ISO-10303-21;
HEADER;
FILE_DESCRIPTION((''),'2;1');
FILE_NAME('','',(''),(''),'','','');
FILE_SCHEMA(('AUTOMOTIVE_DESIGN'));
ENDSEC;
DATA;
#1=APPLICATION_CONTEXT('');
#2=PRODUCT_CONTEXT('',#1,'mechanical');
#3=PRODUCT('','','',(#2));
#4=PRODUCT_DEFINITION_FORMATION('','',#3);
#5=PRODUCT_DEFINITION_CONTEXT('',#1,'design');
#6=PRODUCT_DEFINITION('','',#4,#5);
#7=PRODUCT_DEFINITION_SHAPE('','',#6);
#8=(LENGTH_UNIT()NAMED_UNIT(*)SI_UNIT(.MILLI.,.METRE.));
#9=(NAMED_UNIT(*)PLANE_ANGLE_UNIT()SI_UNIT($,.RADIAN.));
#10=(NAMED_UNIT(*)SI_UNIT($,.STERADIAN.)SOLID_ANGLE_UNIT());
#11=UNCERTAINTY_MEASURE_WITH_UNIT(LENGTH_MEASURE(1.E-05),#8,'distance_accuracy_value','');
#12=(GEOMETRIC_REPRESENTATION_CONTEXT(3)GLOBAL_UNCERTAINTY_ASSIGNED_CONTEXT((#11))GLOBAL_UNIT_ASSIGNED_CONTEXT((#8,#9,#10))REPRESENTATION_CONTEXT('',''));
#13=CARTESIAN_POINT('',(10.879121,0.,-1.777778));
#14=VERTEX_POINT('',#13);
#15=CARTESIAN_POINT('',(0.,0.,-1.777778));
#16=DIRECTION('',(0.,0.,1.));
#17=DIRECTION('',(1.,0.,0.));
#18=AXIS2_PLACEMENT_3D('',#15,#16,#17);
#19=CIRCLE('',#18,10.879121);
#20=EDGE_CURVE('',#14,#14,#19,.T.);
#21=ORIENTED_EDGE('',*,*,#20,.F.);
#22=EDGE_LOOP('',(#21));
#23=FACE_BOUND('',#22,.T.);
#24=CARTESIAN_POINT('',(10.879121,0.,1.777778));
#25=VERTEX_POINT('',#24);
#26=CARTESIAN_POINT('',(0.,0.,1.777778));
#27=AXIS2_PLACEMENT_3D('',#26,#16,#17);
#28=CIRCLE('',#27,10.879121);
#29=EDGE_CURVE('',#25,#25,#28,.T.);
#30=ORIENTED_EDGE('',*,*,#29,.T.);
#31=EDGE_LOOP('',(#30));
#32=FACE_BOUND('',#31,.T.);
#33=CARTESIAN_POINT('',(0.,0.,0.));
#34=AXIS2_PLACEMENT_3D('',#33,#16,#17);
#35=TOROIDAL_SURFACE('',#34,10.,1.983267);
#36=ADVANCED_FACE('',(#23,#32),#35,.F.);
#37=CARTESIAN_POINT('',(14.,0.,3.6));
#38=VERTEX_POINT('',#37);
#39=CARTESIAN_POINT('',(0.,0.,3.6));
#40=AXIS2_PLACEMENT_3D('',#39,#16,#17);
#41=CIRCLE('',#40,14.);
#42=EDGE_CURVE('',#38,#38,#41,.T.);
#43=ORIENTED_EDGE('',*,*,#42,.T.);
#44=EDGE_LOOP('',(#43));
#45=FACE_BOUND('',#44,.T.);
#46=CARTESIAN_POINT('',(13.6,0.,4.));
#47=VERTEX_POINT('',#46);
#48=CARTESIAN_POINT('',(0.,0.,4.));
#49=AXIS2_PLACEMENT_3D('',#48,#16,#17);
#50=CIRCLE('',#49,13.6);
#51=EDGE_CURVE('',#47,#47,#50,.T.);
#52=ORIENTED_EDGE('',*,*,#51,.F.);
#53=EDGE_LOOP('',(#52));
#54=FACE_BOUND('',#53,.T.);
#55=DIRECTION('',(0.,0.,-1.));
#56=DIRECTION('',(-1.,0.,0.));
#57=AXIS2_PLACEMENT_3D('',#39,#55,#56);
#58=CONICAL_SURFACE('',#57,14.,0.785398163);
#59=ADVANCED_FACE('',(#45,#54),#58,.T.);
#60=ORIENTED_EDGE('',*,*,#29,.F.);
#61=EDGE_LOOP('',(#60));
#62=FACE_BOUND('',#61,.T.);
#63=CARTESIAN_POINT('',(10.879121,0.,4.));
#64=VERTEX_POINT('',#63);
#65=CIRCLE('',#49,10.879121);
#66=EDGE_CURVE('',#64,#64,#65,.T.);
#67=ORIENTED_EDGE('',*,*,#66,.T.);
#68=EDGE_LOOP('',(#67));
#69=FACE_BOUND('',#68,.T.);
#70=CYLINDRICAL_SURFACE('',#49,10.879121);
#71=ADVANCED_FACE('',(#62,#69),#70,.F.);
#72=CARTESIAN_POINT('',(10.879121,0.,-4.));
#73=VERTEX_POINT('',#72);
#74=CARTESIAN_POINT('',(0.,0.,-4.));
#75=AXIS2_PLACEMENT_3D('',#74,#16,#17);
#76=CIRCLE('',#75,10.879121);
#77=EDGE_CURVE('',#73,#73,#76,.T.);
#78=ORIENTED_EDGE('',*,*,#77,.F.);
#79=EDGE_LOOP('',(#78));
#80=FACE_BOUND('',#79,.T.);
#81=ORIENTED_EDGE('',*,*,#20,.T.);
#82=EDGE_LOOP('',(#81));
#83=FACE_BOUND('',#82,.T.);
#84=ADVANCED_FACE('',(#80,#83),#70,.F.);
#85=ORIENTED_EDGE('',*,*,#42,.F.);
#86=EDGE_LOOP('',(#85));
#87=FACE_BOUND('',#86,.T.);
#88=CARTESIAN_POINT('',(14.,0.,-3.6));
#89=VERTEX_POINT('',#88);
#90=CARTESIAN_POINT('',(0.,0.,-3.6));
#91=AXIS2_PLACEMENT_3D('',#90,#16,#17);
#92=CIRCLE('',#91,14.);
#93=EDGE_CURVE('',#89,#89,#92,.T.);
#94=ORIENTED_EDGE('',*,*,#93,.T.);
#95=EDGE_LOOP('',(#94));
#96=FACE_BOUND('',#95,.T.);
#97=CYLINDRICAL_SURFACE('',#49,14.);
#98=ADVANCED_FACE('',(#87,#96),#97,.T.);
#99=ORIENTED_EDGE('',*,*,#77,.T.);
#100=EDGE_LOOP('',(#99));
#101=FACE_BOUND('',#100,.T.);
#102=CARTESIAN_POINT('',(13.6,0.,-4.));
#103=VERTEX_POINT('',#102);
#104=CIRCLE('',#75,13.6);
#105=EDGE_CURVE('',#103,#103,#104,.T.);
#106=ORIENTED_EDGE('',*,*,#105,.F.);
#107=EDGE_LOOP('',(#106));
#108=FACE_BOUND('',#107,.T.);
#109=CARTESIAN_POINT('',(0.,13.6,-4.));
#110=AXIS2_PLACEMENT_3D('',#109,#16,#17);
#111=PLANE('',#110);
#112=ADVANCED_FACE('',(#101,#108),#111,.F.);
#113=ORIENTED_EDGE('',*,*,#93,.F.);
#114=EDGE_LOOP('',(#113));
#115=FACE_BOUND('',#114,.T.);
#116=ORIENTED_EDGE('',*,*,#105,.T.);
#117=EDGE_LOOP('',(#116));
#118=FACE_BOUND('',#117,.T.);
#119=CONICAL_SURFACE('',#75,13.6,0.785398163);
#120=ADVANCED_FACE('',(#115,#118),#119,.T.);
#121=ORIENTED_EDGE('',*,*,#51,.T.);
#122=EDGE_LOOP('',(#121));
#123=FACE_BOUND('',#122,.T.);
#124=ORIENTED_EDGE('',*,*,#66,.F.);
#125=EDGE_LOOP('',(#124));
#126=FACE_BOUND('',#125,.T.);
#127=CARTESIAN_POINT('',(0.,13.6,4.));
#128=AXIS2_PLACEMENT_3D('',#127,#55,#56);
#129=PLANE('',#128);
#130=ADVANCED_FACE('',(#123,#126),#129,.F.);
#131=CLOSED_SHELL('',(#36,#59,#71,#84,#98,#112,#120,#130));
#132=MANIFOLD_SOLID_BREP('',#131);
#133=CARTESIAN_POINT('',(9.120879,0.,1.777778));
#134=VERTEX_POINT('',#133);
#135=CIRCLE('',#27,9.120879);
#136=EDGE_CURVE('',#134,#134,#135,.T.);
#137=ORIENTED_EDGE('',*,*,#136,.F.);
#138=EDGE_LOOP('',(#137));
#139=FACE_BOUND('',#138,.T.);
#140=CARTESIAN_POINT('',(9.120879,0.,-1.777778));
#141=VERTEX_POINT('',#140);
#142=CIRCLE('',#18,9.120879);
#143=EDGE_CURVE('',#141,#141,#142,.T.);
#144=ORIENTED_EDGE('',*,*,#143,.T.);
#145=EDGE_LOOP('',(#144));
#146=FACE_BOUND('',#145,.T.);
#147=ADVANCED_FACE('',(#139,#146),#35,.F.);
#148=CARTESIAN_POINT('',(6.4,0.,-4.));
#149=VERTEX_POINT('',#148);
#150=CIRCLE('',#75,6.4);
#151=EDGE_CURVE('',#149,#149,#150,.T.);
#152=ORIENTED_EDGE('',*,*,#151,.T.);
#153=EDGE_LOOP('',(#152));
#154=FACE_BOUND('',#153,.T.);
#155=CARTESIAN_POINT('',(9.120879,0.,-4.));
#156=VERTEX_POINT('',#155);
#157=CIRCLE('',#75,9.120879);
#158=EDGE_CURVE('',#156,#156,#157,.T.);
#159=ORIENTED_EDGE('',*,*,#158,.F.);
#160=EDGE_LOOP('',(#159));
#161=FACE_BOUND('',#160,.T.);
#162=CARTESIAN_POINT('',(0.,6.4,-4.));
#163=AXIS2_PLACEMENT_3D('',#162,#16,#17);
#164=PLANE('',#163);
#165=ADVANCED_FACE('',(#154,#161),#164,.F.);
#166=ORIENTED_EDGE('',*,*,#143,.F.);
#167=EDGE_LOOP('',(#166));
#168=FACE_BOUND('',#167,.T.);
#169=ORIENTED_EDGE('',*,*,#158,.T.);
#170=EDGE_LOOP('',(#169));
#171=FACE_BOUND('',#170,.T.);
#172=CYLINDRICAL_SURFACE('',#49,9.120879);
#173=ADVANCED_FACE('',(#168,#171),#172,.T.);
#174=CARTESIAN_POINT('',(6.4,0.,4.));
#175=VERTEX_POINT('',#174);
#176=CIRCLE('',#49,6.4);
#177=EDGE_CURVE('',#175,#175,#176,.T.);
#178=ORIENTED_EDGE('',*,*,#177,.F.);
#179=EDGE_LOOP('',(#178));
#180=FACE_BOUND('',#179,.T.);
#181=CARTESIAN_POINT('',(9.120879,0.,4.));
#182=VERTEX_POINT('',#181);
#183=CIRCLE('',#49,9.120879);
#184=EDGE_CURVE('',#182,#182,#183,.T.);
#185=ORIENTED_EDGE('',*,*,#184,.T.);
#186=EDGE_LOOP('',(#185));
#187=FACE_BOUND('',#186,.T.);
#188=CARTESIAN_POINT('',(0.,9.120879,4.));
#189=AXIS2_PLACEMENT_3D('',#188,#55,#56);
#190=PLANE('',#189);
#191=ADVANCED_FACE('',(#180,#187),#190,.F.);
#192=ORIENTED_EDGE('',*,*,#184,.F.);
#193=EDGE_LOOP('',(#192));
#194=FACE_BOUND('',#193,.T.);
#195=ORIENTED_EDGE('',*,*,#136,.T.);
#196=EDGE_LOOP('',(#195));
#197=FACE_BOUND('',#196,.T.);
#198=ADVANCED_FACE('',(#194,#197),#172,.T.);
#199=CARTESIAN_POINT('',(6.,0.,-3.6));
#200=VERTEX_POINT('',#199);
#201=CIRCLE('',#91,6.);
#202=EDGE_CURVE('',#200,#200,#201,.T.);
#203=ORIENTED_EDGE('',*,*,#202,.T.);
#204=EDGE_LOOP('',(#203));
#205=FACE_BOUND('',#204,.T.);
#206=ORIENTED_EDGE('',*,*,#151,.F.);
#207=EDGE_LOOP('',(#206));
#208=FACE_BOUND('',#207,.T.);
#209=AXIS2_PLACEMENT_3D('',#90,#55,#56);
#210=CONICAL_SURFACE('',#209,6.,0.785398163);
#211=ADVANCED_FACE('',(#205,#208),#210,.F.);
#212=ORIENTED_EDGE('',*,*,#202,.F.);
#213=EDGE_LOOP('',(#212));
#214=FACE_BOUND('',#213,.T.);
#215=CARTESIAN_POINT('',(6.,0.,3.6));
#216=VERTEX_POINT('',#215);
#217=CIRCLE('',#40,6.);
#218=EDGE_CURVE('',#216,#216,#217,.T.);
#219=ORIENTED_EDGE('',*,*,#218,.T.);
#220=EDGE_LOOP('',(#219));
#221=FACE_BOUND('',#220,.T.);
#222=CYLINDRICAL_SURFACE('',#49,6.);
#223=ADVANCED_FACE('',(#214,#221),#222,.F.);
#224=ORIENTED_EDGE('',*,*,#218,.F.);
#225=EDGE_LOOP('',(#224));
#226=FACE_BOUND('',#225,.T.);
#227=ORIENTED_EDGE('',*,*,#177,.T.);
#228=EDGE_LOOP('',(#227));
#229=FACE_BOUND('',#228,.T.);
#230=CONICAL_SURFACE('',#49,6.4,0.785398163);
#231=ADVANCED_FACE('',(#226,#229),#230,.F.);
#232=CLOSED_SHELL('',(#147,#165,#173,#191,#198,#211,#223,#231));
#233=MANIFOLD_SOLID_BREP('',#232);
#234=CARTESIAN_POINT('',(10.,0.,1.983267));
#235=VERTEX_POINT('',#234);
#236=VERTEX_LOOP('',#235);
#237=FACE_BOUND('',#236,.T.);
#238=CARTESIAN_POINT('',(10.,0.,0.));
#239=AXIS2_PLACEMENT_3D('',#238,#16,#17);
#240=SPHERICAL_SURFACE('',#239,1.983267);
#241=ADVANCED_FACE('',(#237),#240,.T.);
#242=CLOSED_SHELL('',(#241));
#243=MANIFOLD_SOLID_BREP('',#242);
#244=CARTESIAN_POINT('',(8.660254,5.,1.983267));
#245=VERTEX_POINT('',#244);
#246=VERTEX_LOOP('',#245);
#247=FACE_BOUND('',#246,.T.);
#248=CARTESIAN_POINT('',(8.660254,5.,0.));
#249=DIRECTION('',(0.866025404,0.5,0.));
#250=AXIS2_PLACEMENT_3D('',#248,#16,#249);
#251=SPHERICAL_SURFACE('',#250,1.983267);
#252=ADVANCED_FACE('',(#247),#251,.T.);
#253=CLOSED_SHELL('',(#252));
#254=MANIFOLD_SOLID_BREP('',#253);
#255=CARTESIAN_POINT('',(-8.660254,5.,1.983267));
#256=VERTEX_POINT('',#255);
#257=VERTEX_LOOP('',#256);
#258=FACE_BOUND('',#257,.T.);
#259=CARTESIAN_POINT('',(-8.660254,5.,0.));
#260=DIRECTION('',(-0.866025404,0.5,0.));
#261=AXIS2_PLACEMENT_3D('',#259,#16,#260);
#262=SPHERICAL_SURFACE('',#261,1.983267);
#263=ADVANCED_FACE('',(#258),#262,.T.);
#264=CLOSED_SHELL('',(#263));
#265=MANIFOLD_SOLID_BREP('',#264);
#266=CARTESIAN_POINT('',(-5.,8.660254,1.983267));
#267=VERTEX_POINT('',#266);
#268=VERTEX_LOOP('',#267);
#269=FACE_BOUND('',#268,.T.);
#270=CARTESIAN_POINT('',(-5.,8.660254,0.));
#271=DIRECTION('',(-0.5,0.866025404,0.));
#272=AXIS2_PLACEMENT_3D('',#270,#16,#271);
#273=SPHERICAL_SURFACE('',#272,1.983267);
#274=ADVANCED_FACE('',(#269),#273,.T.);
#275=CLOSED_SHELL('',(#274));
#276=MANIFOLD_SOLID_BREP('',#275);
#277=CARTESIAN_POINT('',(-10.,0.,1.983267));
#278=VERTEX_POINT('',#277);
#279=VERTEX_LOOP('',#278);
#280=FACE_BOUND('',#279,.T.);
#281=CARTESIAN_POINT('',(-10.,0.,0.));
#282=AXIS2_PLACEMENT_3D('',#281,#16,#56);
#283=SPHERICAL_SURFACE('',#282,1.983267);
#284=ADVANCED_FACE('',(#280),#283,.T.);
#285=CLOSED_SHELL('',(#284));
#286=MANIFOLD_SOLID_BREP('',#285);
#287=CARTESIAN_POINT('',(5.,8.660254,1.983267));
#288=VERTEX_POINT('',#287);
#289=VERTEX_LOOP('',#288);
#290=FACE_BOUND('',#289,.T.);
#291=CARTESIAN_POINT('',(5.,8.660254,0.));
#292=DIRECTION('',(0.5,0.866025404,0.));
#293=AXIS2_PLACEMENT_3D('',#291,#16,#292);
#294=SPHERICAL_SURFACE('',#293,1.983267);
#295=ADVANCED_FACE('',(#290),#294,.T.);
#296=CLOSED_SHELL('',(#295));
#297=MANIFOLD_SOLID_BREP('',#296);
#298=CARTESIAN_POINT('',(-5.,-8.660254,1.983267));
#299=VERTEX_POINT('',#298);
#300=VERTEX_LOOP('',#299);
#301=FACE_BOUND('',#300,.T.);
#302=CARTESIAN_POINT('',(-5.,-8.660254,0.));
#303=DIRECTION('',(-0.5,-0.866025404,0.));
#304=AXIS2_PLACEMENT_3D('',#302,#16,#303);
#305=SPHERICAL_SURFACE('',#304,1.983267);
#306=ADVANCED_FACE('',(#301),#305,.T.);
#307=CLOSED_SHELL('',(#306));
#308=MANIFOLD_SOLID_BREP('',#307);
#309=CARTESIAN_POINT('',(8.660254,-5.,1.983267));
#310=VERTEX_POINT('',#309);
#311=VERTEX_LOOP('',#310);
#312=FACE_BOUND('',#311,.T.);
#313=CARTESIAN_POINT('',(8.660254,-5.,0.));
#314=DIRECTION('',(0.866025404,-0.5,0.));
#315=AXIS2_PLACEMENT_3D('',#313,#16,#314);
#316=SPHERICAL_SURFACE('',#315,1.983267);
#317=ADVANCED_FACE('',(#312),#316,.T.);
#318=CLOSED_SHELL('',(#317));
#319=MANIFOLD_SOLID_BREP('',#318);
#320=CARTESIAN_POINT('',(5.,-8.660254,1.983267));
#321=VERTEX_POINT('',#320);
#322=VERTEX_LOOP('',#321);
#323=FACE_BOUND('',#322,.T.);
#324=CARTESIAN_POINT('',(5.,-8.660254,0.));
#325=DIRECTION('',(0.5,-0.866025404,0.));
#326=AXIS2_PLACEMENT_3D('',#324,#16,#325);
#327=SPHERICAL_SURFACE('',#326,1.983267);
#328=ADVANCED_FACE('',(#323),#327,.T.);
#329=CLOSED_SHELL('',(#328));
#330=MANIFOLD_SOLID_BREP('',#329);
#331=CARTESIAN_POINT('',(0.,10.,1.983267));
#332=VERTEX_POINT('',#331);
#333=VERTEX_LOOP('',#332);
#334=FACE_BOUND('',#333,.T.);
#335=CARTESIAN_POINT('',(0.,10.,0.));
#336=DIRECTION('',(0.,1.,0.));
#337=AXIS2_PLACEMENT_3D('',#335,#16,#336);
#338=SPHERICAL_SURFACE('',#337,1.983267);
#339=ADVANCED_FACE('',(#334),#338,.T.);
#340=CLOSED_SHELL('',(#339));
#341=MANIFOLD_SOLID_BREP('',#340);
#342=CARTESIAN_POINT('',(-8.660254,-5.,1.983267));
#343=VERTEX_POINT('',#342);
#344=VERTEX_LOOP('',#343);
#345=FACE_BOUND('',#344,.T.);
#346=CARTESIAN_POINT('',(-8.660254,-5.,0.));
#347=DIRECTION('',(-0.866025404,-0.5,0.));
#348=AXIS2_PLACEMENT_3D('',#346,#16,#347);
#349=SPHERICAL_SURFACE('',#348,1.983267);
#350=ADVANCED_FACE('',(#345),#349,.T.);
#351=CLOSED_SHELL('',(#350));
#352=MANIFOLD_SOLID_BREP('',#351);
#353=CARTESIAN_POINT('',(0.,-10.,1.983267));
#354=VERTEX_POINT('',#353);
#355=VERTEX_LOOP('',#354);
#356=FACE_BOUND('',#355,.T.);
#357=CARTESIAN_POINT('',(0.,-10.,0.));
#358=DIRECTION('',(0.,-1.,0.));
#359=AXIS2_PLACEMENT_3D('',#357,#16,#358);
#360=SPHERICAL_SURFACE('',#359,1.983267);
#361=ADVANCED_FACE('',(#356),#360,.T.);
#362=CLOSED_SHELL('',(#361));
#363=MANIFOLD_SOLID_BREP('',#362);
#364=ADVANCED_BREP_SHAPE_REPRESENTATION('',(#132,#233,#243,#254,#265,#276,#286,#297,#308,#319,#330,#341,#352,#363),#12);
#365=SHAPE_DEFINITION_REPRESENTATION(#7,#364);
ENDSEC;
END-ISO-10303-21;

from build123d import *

# Parameters (mm, degrees)
CIRPATTERN1_COUNT = 12


with BuildPart() as part:
    # Sketch1 → Revolve1 (revolve)
    with BuildSketch(Plane(origin=(0, 0, 0), x_dir=(0, 0, -1), z_dir=(1, 0, 0)), mode=Mode.PRIVATE) as revolve1_sk:
        with BuildLine():
            Line((3.6, 14), (-3.6, 14))
            Line((-3.6, 14), (-4, 13.6))
            Line((-4, 13.6), (-4, 10.879120879))
            Line((-4, 10.879120879), (-1.777777778, 10.879120879))
            ThreePointArc((-1.777777778, 10.879120879), (0, 11.983266837), (1.777777778, 10.879120879))
            Line((1.777777778, 10.879120879), (4, 10.879120879))
            Line((4, 10.879120879), (4, 13.6))
            Line((4, 13.6), (3.6, 14))
        make_face()
    revolve(revolve1_sk.sketch.rotate(Axis((0, 0, 4), (0, 0, -1)), 90), axis=Axis((0, 0, 4), (0, 0, -1)))


with BuildPart() as body_2:
    # Sketch3 → Revolve3 (revolve)
    with BuildSketch(Plane(origin=(0, 0, 0), x_dir=(0, 0, -1), z_dir=(1, 0, 0)), mode=Mode.PRIVATE) as revolve3_sk:
        with BuildLine():
            Line((-4, 9.120879121), (-1.777777778, 9.120879121))
            ThreePointArc((-1.777777778, 9.120879121), (0, 8.016733163), (1.777777778, 9.120879121))
            Line((1.777777778, 9.120879121), (4, 9.120879121))
            Line((4, 9.120879121), (4, 6.4))
            Line((4, 6.4), (3.6, 6))
            Line((3.6, 6), (-3.6, 6))
            Line((-3.6, 6), (-4, 6.4))
            Line((-4, 6.4), (-4, 9.120879121))
        make_face()
    revolve(revolve3_sk.sketch.rotate(Axis((0, 0, 4), (0, 0, -1)), 90), axis=Axis((0, 0, 4), (0, 0, -1)))


with BuildPart() as body_3:
    # Sketch4 → Revolve4 (revolve)
    with BuildSketch(Plane(origin=(0, 0, 0), x_dir=(0, 0, -1), z_dir=(1, 0, 0))):
        with BuildLine():
            Line((-1.983266837, 10), (1.983266837, 10))
            ThreePointArc((1.983266837, 10), (0, 11.983266837), (-1.983266837, 10))
        make_face()
    revolve(axis=Axis((0, 10, 1.983266837), (0, 0, -1)))


with BuildPart() as cirpattern1_1:
    # CirPattern1: pattern copy
    add(body_3.part.rotate(Axis((0, 0, 0), (0, 0, 1)), 1 * 360 / CIRPATTERN1_COUNT))


with BuildPart() as cirpattern1_2:
    # CirPattern1: pattern copy
    add(body_3.part.rotate(Axis((0, 0, 0), (0, 0, 1)), 2 * 360 / CIRPATTERN1_COUNT))


with BuildPart() as cirpattern1_3:
    # CirPattern1: pattern copy
    add(body_3.part.rotate(Axis((0, 0, 0), (0, 0, 1)), 3 * 360 / CIRPATTERN1_COUNT))


with BuildPart() as cirpattern1_4:
    # CirPattern1: pattern copy
    add(body_3.part.rotate(Axis((0, 0, 0), (0, 0, 1)), 4 * 360 / CIRPATTERN1_COUNT))


with BuildPart() as cirpattern1_5:
    # CirPattern1: pattern copy
    add(body_3.part.rotate(Axis((0, 0, 0), (0, 0, 1)), 5 * 360 / CIRPATTERN1_COUNT))


with BuildPart() as cirpattern1_6:
    # CirPattern1: pattern copy
    add(body_3.part.rotate(Axis((0, 0, 0), (0, 0, 1)), 6 * 360 / CIRPATTERN1_COUNT))


with BuildPart() as cirpattern1_7:
    # CirPattern1: pattern copy
    add(body_3.part.rotate(Axis((0, 0, 0), (0, 0, 1)), 7 * 360 / CIRPATTERN1_COUNT))


with BuildPart() as cirpattern1_8:
    # CirPattern1: pattern copy
    add(body_3.part.rotate(Axis((0, 0, 0), (0, 0, 1)), 8 * 360 / CIRPATTERN1_COUNT))


with BuildPart() as cirpattern1_9:
    # CirPattern1: pattern copy
    add(body_3.part.rotate(Axis((0, 0, 0), (0, 0, 1)), 9 * 360 / CIRPATTERN1_COUNT))


with BuildPart() as cirpattern1_10:
    # CirPattern1: pattern copy
    add(body_3.part.rotate(Axis((0, 0, 0), (0, 0, 1)), 10 * 360 / CIRPATTERN1_COUNT))


with BuildPart() as cirpattern1_11:
    # CirPattern1: pattern copy
    add(body_3.part.rotate(Axis((0, 0, 0), (0, 0, 1)), 11 * 360 / CIRPATTERN1_COUNT))


solid = Compound([part.part, body_2.part, body_3.part, cirpattern1_1.part, cirpattern1_2.part, cirpattern1_3.part, cirpattern1_4.part, cirpattern1_5.part, cirpattern1_6.part, cirpattern1_7.part, cirpattern1_8.part, cirpattern1_9.part, cirpattern1_10.part, cirpattern1_11.part])
